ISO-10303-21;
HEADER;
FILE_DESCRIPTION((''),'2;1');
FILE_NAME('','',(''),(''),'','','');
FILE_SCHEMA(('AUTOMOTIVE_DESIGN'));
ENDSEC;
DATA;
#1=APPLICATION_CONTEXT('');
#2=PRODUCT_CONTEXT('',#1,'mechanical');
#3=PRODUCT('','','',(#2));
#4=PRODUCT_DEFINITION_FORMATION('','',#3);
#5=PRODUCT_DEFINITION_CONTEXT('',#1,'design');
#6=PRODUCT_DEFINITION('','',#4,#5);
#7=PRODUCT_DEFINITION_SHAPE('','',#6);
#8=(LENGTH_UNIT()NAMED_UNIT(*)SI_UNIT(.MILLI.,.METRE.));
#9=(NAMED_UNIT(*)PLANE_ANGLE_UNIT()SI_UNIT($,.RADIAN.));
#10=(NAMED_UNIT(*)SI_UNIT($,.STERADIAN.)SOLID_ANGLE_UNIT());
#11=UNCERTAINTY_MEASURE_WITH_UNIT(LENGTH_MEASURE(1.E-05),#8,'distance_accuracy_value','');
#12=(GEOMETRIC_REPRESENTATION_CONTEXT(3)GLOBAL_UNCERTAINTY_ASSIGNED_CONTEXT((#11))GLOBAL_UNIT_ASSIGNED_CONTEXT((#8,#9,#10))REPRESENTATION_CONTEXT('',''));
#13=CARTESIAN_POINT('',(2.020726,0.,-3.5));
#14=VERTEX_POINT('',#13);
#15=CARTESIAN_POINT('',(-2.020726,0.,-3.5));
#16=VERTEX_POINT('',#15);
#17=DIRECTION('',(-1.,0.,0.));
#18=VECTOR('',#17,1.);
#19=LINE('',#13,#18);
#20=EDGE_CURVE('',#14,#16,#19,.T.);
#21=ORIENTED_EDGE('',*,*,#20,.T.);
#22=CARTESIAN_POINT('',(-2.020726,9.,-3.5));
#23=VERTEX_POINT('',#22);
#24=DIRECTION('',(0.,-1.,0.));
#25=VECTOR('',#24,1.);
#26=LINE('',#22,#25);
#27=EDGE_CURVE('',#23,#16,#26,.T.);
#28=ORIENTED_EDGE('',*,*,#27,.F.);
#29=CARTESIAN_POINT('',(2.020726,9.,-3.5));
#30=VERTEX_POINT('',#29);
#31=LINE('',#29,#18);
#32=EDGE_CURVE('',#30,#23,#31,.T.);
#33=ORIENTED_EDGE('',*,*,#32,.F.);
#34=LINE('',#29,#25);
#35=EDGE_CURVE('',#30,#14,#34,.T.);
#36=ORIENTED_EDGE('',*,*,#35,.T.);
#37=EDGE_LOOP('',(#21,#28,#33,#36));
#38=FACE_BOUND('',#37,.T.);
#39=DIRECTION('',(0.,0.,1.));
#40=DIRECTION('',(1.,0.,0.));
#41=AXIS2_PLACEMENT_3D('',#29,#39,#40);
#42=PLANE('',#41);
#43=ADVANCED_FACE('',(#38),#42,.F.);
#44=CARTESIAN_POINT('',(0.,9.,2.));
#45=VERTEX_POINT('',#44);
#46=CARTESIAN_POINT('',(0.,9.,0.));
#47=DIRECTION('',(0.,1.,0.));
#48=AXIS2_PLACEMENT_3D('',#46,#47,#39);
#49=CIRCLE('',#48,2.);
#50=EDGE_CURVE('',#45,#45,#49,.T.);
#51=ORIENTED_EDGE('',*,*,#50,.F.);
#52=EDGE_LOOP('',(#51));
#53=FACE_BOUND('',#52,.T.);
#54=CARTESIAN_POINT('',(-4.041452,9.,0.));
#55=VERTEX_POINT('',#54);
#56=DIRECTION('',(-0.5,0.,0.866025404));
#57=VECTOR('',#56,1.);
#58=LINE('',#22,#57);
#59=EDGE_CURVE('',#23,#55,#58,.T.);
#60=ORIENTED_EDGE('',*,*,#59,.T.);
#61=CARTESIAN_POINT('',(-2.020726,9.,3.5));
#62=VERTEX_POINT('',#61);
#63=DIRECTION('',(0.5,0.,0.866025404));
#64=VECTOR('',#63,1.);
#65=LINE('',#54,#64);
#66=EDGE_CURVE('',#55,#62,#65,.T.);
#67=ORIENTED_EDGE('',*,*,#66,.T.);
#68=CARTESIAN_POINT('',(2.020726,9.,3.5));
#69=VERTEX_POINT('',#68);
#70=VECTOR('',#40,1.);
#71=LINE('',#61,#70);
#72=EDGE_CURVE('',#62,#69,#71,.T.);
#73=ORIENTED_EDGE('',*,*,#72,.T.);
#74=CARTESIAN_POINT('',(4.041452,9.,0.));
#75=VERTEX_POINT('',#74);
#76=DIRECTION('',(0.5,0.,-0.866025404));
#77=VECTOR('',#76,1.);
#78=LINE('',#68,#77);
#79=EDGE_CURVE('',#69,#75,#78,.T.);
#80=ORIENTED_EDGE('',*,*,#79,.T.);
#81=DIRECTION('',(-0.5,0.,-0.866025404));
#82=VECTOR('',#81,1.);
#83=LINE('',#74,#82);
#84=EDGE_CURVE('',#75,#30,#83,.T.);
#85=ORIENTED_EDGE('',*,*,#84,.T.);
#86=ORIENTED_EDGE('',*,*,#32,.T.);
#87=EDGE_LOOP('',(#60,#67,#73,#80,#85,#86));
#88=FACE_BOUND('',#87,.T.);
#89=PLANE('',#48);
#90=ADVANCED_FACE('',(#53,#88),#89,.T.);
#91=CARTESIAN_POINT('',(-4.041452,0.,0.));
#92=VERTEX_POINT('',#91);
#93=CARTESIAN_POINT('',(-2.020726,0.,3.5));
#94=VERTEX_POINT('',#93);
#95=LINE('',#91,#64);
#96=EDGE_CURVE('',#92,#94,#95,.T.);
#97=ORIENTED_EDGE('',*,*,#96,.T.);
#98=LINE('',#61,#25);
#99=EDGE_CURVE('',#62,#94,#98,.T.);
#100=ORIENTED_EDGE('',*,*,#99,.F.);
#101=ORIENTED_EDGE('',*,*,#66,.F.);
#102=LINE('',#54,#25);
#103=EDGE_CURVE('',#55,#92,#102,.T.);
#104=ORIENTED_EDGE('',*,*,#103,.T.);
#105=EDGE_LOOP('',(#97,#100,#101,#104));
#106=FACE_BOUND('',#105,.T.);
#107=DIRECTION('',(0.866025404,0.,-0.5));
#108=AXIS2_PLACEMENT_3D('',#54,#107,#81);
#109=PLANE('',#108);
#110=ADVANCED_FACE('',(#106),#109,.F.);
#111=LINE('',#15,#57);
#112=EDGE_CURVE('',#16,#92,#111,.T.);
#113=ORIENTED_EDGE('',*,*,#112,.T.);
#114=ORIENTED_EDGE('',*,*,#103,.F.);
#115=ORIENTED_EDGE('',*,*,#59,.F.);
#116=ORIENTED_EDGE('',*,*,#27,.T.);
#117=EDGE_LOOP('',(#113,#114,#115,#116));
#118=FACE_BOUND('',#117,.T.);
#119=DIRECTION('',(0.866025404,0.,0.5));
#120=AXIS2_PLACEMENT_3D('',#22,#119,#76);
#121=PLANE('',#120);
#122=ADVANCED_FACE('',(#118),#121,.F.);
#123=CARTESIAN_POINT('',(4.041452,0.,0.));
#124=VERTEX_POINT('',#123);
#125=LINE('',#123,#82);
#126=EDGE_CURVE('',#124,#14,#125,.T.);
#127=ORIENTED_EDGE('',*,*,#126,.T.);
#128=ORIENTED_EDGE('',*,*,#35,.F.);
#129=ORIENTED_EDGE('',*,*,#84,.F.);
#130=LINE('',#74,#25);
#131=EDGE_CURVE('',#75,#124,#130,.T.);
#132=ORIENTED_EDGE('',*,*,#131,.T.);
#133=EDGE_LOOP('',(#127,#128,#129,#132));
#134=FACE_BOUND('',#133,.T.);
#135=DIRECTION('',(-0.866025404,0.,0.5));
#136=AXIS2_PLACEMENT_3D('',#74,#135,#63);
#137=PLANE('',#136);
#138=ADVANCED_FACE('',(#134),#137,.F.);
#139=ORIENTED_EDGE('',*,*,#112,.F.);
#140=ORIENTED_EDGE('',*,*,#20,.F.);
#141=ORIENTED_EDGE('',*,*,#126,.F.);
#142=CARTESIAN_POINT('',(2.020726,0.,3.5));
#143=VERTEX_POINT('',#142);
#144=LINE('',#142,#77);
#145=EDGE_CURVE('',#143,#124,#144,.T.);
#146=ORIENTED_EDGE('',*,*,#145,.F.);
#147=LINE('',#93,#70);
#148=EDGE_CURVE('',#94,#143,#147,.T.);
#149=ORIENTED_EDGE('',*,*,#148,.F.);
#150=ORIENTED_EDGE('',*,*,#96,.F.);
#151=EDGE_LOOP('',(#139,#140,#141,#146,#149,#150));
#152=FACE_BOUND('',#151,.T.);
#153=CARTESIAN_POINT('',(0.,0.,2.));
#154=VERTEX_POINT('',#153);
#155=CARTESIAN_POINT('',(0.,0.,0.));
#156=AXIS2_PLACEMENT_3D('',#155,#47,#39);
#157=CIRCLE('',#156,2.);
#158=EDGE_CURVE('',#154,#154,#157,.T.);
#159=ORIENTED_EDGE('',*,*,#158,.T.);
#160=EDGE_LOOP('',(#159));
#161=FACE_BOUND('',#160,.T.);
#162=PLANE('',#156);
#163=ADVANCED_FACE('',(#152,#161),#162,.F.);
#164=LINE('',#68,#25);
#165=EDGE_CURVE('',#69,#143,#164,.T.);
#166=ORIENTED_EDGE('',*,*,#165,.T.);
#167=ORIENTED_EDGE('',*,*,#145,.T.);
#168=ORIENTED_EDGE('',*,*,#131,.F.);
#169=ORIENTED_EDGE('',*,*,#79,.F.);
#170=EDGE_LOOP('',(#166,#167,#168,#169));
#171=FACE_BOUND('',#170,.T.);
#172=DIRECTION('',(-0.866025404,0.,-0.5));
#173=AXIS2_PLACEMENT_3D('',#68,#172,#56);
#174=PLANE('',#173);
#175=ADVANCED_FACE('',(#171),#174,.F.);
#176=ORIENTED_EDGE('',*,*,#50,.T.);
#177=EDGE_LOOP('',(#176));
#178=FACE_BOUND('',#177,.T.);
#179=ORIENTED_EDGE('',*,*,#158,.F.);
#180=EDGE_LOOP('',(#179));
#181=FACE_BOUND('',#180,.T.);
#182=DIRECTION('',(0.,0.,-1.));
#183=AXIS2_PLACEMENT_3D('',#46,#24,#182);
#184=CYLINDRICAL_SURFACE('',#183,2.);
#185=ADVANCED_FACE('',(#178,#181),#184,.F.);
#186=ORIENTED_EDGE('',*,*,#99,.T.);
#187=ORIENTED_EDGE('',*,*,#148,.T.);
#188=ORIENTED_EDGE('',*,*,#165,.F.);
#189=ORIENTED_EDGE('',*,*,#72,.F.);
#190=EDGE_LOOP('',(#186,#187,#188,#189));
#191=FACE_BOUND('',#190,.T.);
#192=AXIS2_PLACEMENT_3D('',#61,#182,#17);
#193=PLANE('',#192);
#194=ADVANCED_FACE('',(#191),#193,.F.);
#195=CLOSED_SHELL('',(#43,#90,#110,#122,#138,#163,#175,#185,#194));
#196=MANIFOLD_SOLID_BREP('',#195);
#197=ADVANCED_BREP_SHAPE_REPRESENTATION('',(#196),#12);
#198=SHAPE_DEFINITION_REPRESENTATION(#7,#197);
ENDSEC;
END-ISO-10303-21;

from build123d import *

# Parameters (mm, degrees)
SKETCH1_R           = 2
BOSS_EXTRUDE1_DEPTH = 9


with BuildPart() as part:
    # Sketch1 → Boss-Extrude1 (new body)
    with BuildSketch(Plane(origin=(0, 0, 0), x_dir=(1, 0, 0), z_dir=(0, 1, 0))):
        Polygon((4.041451884, 0), (2.020725942, 3.5), (-2.020725942, 3.5), (-4.041451884, 0), (-2.020725942, -3.5), (2.020725942, -3.5), align=None)
        with Locations(Location((0, 0, 0), (0, 0, 270))):
            Circle(SKETCH1_R, mode=Mode.SUBTRACT)
    extrude(amount=BOSS_EXTRUDE1_DEPTH)


solid = part.part
